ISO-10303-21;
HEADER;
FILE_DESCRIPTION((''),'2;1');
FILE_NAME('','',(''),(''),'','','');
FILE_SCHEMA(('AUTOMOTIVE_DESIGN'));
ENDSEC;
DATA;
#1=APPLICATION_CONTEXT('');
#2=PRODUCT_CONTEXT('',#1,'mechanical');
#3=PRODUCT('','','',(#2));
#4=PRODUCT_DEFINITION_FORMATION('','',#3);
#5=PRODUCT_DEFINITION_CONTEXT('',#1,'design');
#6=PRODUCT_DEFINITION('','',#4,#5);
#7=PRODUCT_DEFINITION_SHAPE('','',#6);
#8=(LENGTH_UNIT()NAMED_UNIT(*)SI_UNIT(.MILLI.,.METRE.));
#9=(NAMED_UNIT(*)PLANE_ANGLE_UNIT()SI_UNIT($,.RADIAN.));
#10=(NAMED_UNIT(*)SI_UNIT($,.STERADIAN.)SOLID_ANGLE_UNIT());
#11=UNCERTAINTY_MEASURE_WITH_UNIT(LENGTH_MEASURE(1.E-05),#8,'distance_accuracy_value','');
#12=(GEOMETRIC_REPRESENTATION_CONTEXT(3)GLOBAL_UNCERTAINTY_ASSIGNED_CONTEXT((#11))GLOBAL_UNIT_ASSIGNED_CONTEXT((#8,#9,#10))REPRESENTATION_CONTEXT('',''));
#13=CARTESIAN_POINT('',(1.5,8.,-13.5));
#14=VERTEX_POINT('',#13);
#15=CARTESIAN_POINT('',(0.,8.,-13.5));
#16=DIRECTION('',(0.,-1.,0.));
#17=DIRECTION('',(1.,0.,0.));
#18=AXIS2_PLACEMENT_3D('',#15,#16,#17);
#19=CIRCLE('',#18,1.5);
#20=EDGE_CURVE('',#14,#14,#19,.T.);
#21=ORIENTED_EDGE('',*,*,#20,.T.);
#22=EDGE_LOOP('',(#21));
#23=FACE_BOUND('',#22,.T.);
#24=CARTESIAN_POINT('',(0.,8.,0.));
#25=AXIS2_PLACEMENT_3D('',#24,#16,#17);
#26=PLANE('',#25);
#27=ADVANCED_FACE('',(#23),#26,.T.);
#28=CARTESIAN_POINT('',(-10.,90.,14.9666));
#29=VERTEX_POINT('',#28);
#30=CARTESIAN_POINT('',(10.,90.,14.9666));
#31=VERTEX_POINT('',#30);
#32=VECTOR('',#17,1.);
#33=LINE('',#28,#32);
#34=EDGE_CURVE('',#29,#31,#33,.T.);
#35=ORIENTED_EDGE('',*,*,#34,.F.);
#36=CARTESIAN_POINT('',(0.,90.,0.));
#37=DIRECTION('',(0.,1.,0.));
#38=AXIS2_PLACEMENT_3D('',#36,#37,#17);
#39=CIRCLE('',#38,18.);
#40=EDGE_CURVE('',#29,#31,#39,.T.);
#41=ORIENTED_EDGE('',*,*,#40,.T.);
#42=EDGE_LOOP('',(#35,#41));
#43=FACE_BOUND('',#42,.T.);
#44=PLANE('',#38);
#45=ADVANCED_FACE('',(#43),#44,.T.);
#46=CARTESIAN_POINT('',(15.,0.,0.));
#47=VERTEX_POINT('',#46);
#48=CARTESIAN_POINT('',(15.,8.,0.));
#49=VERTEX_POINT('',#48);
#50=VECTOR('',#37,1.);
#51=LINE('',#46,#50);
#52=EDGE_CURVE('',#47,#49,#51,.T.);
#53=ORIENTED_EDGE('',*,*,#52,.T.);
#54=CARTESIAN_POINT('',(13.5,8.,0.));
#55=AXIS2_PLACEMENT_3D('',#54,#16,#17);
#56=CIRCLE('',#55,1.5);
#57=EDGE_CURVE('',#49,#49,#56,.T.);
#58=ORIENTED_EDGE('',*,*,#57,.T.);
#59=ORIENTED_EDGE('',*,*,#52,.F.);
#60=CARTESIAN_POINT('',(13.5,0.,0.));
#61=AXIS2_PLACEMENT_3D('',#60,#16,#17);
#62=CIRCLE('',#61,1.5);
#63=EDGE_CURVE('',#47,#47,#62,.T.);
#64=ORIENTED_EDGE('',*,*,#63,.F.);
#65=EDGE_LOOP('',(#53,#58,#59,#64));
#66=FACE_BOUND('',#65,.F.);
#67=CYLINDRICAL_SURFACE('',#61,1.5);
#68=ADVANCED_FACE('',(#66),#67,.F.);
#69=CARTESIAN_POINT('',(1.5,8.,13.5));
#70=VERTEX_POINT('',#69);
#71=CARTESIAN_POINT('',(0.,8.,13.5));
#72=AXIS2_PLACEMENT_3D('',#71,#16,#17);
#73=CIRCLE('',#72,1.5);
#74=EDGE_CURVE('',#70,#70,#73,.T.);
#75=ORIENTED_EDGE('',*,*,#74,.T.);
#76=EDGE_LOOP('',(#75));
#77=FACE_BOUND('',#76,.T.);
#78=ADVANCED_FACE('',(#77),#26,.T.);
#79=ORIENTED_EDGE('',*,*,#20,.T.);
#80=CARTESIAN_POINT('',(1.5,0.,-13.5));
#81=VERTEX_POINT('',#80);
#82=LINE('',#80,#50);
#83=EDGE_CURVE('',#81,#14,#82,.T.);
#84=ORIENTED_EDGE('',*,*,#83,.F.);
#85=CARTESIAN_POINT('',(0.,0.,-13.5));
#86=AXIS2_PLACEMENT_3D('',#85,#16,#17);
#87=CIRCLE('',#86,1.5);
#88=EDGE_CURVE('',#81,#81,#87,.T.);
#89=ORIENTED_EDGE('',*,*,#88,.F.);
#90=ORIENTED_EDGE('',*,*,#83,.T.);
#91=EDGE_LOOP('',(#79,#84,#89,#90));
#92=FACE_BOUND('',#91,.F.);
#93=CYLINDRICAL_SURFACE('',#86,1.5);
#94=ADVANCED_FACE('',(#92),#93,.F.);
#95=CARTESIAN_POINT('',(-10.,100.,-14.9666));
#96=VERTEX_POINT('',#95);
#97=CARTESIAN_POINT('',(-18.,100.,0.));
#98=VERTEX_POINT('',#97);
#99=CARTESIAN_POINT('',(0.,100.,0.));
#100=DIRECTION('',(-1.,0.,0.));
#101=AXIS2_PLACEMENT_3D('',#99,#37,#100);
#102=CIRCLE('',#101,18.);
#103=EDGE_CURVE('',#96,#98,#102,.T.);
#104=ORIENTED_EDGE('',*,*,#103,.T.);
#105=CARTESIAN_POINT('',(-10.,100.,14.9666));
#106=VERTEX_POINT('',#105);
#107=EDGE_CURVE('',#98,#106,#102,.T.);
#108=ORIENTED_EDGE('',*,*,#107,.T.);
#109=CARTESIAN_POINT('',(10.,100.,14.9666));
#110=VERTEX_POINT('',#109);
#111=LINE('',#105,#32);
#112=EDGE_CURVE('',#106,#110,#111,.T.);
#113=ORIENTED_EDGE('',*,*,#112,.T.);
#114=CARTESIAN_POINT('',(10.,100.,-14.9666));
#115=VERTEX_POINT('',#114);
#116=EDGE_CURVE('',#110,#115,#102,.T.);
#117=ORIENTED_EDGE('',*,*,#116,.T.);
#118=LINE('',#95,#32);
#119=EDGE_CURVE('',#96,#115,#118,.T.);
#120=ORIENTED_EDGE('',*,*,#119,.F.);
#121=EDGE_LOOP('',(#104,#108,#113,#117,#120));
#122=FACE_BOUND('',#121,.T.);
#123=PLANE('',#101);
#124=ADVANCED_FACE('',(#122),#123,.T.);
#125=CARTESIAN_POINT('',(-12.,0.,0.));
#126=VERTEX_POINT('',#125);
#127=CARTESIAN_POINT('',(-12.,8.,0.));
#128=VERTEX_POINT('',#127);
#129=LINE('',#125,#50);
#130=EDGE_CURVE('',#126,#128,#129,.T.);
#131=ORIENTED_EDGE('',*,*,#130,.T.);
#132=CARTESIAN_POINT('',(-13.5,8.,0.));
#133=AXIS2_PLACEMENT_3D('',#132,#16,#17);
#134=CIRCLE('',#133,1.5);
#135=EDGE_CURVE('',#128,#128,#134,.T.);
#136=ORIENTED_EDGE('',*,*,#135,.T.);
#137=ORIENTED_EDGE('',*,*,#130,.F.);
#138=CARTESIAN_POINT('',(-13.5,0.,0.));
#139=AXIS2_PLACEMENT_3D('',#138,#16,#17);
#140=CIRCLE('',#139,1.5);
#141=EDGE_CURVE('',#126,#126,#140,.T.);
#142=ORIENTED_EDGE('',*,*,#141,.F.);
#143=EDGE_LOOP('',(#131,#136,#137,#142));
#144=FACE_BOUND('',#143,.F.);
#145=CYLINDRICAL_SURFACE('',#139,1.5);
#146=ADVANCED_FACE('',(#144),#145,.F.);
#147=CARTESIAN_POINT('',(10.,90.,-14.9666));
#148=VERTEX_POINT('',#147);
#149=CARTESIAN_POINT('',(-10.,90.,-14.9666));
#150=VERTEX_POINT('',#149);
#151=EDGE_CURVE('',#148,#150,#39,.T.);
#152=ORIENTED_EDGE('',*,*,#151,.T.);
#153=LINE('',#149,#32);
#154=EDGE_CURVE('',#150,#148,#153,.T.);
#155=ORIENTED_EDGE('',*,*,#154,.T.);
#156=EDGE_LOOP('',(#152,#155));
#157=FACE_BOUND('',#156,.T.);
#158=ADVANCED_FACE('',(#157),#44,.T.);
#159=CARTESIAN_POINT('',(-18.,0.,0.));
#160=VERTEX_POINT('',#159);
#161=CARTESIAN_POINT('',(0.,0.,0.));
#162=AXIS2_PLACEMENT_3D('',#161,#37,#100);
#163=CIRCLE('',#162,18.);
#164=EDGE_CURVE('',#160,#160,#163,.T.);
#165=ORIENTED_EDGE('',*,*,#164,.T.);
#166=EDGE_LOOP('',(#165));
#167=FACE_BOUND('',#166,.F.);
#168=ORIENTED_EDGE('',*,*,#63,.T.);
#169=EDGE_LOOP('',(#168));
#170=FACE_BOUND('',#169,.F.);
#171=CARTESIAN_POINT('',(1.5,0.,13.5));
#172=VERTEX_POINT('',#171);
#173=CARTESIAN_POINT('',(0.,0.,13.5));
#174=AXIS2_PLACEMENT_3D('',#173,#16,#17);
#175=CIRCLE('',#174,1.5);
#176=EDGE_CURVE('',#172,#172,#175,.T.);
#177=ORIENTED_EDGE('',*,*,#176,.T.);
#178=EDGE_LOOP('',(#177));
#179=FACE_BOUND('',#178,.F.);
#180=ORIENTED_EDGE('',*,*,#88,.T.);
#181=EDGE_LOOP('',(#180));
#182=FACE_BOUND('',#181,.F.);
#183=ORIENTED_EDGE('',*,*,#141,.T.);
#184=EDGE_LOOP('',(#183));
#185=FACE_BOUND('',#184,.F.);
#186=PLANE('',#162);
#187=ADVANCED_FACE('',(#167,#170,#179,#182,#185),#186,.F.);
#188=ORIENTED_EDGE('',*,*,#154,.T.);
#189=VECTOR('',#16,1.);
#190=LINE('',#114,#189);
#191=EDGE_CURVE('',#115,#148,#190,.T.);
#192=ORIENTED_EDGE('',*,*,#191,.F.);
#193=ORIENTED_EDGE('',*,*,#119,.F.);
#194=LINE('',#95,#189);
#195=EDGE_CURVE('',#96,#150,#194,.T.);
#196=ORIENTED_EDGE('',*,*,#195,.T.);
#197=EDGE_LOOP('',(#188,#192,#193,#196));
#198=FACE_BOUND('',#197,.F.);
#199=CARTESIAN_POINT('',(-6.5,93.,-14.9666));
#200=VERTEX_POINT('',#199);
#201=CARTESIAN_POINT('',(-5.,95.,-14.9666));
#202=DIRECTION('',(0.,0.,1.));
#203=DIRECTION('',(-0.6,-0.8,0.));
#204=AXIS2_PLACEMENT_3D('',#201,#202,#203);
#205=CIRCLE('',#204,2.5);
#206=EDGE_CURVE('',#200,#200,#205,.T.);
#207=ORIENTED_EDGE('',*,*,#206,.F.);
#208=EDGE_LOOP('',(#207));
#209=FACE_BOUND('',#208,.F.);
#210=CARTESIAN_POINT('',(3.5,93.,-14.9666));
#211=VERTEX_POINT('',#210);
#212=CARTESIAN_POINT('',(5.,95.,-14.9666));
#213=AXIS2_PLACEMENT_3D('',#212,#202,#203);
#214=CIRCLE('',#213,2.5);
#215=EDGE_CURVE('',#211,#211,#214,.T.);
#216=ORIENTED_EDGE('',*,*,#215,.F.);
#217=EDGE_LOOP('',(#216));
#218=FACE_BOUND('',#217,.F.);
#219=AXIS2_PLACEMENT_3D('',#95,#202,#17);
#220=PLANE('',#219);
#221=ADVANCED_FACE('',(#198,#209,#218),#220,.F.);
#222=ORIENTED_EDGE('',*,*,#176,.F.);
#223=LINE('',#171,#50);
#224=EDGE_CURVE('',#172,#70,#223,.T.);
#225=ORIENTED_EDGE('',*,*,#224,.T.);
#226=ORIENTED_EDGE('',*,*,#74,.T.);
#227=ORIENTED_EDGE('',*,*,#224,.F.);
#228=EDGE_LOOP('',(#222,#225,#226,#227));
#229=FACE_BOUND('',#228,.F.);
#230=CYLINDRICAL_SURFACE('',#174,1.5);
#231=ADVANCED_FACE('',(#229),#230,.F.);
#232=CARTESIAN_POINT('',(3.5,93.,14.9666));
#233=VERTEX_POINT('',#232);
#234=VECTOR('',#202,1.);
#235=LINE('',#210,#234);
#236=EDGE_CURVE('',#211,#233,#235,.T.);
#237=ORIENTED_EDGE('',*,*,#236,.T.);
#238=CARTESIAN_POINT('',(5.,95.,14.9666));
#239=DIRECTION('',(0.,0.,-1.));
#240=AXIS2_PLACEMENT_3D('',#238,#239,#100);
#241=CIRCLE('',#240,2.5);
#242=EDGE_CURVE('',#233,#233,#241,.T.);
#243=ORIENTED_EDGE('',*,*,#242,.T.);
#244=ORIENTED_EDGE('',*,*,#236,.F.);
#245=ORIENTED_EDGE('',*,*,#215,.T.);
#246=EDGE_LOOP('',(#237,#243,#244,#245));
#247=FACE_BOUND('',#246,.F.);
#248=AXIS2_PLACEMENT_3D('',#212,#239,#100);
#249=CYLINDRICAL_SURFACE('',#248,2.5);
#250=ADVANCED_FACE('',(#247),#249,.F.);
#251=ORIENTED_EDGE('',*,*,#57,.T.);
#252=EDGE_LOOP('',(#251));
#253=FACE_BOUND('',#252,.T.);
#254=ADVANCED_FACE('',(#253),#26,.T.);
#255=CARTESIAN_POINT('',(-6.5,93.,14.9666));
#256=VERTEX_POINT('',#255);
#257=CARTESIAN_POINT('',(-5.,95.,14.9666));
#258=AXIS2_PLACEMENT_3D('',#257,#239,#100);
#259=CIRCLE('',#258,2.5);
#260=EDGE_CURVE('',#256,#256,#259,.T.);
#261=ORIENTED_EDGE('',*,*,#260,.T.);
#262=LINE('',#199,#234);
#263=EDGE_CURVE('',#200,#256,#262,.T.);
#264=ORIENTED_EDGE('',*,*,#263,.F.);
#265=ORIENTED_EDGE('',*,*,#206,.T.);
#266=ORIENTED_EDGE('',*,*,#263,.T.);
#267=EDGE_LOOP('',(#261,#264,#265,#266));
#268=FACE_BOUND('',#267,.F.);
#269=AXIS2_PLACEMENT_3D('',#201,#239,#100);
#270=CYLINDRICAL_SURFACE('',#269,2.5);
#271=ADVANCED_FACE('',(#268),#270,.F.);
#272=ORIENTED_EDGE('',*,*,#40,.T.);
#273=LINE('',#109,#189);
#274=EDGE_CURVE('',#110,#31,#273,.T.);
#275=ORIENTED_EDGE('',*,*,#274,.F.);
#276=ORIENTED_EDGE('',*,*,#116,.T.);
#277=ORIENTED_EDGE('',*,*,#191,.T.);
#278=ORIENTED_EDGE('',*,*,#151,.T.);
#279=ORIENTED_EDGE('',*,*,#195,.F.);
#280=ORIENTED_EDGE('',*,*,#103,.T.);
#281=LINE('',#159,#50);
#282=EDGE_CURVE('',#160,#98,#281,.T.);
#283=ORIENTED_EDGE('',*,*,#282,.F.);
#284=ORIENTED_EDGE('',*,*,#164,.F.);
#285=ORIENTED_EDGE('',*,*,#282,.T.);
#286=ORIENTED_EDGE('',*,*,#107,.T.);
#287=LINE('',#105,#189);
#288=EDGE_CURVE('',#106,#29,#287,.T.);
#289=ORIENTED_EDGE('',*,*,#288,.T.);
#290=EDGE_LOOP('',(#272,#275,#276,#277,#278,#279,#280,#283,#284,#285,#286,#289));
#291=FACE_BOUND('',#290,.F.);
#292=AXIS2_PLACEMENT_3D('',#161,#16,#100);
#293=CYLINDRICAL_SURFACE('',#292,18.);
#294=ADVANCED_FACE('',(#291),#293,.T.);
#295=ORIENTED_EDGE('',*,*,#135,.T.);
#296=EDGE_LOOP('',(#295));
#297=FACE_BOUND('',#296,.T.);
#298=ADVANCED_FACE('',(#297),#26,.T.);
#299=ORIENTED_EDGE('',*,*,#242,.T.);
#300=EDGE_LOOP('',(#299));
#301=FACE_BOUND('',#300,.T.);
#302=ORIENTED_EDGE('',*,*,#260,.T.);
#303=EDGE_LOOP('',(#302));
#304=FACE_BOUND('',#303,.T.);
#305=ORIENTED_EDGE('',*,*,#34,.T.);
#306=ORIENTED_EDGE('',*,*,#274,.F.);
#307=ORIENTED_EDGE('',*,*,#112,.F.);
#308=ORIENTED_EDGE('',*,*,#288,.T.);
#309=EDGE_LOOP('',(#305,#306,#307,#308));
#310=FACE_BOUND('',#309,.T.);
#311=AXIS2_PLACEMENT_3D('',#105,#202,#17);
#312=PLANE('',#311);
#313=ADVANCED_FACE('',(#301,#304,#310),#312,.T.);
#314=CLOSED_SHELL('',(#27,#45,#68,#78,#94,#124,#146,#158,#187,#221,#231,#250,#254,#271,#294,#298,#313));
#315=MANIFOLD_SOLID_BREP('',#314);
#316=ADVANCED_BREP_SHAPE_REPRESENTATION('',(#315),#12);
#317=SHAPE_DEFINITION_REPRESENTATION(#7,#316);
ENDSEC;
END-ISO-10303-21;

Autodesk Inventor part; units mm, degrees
ref_plane "YZ Plane" through (0, 0, 0) normal (1, 0, 0) x (0, 1, 0)
ref_plane "XZ Plane" through (0, 0, 0) normal (0, 1, 0) x (-1, 0, 0)
ref_plane "XY Plane" through (0, 0, 0) normal (0, 0, 1) x (1, 0, 0)
sketch "Sketch1" plane through (0, 0, 0) normal (0, 1, 0) x (-1, 0, 0)
  circle A0 centre (0, 0) radius 18
  dimension "d0" = 36
extrude "Extrusion1" add sketch "Sketch1" along normal blind 100
sketch "Sketch3" plane through (0, 100, 0) normal (0, 1, 0) x (1, 0, 0)
  circle A0 centre (0, 0) radius 18 projected
  line L0 (-10, 14.9666) -> (10, 14.9666)
  circle A1 centre (0, 0) radius 18 projected
  line L1 (0, 0) -> (10, 0)
  line L2 (-10, -14.9666) -> (10, -14.9666)
  point P0 (0, 14.9666)
  point P1 (10, 14.9666)
  point P2 (10, -14.9666)
  dimension "d6" = 20
extrude "Extrusion3" cut sketch "Sketch3" against normal blind 10 contours L0 A0 | A0 L2
sketch "Sketch4" plane through (10, 100, -14.9666) normal (0, 0, -1) x (-1, 0, 0)
  arc A0 (6.5, -7) -> (3.5, -7) centre (5, -5) ccw projected
  arc A1 (16.5, -7) -> (13.5, -7) centre (15, -5) ccw projected
  circle A2 centre (5, -5) radius 2.5
  circle A3 centre (15, -5) radius 2.5
  point P0 (10, -100)
  point P1 (3.5, -7)
  point P2 (6.5, -7)
  point P3 (13.5, -7)
  point P4 (16.5, -7)
extrude "Extrusion4" cut sketch "Sketch4" against normal through all
sketch "Sketch5" plane through (0, 0, 0) normal (0, -1, 0) x (1, 0, 0)
  circle A0 centre (13.5, 0) radius 1.5
  circle A1 centre (0, 13.5) radius 1.5
  circle A2 centre (-13.5, 0) radius 1.5
  circle A3 centre (0, -13.5) radius 1.5
  point P0 (0, 0)
  dimension "d11" = 3
  dimension "d12" = 13.5
  dimension "d15" = 360
extrude "Extrusion5" cut sketch "Sketch5" against normal blind 8
properties part number "link1"
